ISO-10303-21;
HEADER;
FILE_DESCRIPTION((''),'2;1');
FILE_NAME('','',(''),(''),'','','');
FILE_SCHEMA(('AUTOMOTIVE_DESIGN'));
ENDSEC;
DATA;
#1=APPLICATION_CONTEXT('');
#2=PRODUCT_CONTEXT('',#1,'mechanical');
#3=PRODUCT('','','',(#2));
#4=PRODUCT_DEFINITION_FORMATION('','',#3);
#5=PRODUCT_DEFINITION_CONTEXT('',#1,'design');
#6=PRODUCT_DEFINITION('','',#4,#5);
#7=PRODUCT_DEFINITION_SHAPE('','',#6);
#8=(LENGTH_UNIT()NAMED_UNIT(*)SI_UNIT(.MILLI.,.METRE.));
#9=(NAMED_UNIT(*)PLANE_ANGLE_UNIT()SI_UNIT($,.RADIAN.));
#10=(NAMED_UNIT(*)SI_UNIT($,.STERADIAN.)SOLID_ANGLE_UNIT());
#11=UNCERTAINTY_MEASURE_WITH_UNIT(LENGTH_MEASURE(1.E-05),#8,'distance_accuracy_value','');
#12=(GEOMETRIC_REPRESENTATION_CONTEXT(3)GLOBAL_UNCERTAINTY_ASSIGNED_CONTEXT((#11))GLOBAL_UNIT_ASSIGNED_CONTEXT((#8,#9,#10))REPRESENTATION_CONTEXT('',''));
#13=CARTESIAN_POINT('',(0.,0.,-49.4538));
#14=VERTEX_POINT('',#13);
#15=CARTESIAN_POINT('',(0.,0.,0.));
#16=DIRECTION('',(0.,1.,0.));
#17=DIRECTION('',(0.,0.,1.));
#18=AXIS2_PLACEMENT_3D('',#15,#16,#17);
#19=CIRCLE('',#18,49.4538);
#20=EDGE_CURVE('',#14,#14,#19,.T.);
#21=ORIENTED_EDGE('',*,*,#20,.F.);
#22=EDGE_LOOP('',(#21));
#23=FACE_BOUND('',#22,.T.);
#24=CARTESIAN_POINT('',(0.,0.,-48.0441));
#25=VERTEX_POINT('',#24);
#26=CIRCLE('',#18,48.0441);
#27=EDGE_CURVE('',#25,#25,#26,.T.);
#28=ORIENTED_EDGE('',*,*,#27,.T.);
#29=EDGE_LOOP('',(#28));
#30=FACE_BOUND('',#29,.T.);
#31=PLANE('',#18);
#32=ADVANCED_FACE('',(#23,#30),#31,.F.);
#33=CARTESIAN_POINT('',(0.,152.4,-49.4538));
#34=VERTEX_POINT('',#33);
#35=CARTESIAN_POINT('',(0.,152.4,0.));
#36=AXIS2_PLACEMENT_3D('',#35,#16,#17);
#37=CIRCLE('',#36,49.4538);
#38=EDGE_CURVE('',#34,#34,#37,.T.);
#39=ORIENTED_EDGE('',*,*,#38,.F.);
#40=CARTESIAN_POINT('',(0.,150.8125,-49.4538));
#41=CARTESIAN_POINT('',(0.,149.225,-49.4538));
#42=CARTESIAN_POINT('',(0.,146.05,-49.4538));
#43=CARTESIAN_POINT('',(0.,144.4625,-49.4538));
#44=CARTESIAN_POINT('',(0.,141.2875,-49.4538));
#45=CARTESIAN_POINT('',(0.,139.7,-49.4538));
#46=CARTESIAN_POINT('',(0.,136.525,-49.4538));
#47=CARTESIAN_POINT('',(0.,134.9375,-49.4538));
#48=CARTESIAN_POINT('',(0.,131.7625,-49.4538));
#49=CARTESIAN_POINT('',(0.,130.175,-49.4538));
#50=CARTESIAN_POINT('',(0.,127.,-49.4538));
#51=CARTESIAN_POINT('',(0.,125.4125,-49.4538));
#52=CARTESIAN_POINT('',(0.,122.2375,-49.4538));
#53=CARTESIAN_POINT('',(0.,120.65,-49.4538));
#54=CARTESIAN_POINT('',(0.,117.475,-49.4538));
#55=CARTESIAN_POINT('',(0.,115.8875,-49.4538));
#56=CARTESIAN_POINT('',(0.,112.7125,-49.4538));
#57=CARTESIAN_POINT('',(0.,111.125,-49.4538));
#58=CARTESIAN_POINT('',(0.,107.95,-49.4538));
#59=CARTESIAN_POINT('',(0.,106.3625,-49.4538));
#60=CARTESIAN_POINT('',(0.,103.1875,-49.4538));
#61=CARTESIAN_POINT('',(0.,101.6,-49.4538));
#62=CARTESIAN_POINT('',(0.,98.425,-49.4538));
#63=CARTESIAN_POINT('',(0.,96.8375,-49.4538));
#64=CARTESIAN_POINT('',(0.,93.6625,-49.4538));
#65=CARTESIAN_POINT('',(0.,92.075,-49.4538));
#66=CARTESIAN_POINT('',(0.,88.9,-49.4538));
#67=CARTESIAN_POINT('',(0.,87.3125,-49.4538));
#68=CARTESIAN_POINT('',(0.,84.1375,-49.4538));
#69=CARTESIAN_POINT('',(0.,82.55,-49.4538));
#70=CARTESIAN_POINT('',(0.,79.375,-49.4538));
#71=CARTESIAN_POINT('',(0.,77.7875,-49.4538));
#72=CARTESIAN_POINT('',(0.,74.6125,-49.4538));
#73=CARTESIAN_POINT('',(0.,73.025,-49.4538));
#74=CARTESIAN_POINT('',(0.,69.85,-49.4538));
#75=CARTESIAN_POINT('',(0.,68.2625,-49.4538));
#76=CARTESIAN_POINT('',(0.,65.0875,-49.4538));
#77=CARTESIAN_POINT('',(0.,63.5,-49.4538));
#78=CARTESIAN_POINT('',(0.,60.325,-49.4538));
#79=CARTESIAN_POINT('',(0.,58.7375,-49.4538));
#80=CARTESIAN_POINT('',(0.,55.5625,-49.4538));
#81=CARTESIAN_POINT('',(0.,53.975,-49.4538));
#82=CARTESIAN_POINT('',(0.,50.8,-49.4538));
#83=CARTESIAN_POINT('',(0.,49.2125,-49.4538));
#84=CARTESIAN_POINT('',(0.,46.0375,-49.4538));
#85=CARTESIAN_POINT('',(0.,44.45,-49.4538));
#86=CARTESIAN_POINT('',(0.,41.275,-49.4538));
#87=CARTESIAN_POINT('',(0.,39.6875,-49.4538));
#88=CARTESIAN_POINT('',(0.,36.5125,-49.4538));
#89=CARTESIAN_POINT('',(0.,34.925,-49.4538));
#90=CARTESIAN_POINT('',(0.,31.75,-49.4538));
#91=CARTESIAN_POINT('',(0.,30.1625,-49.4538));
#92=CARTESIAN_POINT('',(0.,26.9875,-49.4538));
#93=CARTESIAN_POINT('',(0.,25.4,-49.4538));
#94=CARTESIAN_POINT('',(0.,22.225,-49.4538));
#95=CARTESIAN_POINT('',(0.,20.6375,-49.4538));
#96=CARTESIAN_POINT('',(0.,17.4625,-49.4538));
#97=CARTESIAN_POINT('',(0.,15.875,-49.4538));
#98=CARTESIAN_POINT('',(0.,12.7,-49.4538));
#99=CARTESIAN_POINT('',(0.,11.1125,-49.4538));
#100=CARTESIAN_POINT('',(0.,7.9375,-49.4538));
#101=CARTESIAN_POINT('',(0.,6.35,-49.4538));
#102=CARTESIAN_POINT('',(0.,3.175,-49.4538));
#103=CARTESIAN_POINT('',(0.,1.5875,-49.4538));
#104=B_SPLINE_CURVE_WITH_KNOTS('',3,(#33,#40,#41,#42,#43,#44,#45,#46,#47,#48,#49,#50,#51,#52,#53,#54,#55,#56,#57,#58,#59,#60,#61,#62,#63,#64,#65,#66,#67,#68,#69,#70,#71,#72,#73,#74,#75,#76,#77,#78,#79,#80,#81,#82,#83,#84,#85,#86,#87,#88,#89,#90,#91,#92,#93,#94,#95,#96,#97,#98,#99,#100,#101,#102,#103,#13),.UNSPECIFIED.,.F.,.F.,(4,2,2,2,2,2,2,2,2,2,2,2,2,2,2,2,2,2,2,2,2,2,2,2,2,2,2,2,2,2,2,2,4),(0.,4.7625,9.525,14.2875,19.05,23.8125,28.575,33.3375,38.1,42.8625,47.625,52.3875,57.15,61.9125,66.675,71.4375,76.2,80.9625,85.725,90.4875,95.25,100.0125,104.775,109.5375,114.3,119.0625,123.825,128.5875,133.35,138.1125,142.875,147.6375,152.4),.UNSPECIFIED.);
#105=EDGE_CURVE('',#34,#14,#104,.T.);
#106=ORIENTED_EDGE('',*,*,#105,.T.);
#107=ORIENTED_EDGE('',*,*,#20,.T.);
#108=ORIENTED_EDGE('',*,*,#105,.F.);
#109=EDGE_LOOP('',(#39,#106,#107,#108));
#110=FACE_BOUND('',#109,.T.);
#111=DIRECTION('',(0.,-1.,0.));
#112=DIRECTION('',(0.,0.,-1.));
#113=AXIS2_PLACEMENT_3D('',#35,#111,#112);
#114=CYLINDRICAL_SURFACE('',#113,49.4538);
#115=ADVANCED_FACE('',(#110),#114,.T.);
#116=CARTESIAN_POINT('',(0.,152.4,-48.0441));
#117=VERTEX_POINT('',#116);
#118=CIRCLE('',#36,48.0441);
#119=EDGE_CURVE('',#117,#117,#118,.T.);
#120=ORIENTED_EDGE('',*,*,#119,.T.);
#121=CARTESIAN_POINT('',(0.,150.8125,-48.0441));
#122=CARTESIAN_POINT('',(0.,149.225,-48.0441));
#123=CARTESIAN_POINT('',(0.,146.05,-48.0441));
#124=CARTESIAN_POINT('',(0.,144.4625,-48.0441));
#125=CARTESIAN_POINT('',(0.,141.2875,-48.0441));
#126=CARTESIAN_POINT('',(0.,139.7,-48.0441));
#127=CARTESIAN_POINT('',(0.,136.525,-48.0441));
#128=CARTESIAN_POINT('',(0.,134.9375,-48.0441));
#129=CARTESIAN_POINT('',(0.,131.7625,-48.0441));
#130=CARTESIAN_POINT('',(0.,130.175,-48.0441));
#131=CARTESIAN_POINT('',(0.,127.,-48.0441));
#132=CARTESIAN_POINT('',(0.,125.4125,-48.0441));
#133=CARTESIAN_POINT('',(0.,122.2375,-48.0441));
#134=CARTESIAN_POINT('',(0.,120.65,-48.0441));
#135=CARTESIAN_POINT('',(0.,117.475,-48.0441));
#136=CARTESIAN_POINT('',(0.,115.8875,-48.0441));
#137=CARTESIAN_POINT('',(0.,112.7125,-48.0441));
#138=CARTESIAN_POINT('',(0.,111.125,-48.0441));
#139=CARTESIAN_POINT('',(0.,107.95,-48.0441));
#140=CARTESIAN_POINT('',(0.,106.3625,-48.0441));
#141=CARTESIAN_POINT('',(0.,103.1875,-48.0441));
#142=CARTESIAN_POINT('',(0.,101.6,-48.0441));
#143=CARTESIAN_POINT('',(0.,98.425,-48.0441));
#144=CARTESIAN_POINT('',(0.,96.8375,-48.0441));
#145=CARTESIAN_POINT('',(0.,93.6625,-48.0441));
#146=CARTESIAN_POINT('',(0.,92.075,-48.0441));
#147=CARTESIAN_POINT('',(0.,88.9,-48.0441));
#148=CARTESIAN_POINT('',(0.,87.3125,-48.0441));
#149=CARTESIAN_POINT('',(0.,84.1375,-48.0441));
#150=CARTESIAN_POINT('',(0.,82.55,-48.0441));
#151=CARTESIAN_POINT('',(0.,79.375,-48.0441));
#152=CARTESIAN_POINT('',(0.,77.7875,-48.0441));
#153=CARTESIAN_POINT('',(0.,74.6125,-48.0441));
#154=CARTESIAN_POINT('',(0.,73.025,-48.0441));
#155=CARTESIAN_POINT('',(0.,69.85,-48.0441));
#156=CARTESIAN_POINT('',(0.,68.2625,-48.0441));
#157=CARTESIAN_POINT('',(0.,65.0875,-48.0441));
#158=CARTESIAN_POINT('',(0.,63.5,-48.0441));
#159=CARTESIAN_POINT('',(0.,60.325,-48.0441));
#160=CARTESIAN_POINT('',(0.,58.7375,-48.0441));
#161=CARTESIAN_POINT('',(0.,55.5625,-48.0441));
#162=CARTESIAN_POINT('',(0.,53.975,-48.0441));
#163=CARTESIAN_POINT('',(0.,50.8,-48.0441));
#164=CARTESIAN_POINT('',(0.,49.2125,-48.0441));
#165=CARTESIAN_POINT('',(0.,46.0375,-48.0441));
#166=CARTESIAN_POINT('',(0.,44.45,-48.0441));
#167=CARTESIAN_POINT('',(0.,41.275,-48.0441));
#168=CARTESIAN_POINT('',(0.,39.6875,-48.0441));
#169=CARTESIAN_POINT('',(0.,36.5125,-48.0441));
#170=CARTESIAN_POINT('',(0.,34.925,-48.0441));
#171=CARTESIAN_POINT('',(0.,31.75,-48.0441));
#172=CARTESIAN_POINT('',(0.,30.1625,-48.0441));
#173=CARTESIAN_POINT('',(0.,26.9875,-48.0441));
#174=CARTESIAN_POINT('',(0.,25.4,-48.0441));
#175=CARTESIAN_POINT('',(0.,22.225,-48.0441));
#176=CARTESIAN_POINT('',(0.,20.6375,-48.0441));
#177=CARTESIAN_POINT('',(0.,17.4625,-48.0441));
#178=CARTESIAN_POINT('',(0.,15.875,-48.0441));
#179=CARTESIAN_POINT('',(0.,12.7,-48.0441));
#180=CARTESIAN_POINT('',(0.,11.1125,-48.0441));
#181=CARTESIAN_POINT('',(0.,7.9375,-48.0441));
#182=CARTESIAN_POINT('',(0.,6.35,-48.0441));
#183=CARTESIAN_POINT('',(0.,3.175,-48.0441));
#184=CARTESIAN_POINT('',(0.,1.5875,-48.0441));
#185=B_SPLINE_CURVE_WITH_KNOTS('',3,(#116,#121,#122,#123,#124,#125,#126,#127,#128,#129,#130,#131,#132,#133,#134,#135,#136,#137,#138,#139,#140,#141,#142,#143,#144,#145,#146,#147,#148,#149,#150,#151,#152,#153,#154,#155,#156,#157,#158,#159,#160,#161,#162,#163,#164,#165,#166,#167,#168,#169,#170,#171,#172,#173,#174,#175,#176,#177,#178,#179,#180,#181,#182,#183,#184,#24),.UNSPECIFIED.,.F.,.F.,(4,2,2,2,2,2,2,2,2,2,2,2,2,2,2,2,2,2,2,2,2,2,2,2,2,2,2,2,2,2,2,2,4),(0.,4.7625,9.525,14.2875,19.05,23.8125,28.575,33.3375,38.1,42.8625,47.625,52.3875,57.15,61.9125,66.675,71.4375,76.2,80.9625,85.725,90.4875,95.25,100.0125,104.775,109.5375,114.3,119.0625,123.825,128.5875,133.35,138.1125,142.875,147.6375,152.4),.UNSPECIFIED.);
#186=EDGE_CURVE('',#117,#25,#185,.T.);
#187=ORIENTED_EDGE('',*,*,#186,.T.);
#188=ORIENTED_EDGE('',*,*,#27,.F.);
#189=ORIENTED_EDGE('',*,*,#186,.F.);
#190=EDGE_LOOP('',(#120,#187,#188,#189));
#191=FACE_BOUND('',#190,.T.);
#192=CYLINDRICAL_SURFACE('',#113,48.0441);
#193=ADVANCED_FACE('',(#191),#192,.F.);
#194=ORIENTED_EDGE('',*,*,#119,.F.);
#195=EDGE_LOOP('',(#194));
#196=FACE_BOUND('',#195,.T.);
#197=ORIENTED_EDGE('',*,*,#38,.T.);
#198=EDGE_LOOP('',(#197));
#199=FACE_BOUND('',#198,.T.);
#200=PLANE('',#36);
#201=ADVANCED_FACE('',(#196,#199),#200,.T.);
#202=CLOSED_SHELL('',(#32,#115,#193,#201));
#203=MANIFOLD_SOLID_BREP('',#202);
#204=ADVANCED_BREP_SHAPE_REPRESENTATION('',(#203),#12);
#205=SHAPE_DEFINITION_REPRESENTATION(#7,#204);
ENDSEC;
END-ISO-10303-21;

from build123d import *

# Parameters (mm, degrees)
SKETCH1_R           = 49.4538
SKETCH1_R_2         = 48.0441
BOSS_EXTRUDE1_DEPTH = 152.4


with BuildPart() as part:
    # Sketch1 → Boss-Extrude1 (new body)
    with BuildSketch(Plane(origin=(0, 0, 0), x_dir=(1, 0, 0), z_dir=(0, 1, 0))):
        with Locations(Location((0, 0, 0), (0, 0, 90))):
            Circle(SKETCH1_R)
        with Locations(Location((0, 0, 0), (0, 0, 90))):
            Circle(SKETCH1_R_2, mode=Mode.SUBTRACT)
    extrude(amount=BOSS_EXTRUDE1_DEPTH)


solid = part.part
